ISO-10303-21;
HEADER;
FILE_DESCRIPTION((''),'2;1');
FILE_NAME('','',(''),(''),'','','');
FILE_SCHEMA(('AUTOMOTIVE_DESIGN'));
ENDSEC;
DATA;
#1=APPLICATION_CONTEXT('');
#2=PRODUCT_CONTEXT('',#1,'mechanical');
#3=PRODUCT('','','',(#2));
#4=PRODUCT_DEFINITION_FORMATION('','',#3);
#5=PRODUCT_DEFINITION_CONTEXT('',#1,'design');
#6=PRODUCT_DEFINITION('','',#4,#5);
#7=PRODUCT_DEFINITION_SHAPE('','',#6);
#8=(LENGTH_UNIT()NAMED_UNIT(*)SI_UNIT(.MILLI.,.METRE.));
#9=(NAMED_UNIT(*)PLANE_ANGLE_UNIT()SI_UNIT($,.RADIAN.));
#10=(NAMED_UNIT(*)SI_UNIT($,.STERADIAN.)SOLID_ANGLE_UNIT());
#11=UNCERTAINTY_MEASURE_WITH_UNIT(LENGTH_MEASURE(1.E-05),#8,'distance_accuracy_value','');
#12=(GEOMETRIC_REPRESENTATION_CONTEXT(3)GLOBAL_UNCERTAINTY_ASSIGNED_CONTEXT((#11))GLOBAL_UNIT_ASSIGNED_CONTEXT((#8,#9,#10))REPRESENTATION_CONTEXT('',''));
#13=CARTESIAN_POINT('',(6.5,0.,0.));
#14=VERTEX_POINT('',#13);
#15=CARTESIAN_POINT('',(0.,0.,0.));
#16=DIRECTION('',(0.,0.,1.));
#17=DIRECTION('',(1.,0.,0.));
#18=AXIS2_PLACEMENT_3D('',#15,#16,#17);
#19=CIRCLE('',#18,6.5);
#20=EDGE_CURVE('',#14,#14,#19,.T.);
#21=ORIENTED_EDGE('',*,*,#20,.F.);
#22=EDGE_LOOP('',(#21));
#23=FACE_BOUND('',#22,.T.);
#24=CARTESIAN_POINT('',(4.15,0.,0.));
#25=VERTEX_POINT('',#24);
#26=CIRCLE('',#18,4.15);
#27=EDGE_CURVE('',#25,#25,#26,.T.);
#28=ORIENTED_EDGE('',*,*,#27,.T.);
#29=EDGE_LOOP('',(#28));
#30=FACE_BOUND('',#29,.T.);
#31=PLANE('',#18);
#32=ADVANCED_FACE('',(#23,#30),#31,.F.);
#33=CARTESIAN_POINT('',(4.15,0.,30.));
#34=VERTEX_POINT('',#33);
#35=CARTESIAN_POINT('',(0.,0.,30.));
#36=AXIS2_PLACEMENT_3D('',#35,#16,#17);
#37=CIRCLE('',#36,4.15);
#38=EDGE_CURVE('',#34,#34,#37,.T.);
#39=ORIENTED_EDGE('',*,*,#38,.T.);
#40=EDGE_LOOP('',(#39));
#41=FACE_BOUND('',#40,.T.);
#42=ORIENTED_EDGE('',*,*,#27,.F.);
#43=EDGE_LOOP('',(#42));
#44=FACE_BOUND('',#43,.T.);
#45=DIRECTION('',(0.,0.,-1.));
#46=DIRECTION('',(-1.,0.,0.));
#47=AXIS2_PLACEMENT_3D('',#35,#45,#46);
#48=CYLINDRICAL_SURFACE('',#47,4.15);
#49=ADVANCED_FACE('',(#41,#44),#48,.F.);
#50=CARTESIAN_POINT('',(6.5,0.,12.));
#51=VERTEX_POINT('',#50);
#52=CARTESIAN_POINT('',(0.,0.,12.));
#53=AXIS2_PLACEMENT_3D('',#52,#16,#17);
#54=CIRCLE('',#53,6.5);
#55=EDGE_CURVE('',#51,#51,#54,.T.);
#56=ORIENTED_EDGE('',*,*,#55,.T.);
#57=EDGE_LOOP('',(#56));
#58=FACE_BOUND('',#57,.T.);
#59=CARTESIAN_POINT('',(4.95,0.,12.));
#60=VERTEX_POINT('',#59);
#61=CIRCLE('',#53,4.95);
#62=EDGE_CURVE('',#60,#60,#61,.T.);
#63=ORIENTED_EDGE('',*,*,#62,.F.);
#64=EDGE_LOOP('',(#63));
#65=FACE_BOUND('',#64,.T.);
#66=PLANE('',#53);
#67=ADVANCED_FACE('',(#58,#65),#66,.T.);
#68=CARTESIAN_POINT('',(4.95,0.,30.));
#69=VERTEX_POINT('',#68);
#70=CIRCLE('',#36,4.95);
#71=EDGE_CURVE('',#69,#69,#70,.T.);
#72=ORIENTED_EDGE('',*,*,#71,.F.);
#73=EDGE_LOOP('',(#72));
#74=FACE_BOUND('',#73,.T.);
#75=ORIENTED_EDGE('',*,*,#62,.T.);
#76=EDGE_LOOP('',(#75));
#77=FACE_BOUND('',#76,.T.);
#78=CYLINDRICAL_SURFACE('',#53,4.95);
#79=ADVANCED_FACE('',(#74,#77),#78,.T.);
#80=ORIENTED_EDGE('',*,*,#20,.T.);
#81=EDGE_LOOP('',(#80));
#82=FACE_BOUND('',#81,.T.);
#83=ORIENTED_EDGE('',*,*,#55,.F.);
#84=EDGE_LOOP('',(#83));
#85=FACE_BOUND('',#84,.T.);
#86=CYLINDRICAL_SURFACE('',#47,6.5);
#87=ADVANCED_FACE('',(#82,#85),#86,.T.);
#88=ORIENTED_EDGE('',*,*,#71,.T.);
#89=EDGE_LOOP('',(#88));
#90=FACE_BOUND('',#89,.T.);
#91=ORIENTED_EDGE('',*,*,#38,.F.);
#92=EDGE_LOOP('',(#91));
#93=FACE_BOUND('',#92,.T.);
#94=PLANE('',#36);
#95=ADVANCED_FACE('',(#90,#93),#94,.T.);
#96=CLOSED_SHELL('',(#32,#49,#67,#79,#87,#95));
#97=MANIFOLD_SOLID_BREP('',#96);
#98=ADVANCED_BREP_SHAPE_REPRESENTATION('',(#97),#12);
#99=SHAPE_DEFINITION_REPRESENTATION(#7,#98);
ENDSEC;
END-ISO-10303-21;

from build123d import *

# Parameters (mm, degrees)
SKETCH1_R           = 6.5
SKETCH1_R_2         = 4.15
BOSS_EXTRUDE1_DEPTH = 30
CUT_EXTRUDE1_START  = -18
SKETCH2_R           = 6.5
SKETCH2_R_2         = 4.95
CUT_EXTRUDE1_DEPTH  = 18


with BuildPart() as part:
    # Sketch1 → Boss-Extrude1 (new body)
    with BuildSketch(Plane.XY):
        Circle(SKETCH1_R)
        Circle(SKETCH1_R_2, mode=Mode.SUBTRACT)
    extrude(amount=BOSS_EXTRUDE1_DEPTH)

    # Sketch2 → Cut-Extrude1 (cut)
    with BuildSketch(Plane.XY.offset(30).offset(CUT_EXTRUDE1_START)):
        Circle(SKETCH2_R)
        Circle(SKETCH2_R_2, mode=Mode.SUBTRACT)
    extrude(amount=CUT_EXTRUDE1_DEPTH, mode=Mode.SUBTRACT)


solid = part.part
